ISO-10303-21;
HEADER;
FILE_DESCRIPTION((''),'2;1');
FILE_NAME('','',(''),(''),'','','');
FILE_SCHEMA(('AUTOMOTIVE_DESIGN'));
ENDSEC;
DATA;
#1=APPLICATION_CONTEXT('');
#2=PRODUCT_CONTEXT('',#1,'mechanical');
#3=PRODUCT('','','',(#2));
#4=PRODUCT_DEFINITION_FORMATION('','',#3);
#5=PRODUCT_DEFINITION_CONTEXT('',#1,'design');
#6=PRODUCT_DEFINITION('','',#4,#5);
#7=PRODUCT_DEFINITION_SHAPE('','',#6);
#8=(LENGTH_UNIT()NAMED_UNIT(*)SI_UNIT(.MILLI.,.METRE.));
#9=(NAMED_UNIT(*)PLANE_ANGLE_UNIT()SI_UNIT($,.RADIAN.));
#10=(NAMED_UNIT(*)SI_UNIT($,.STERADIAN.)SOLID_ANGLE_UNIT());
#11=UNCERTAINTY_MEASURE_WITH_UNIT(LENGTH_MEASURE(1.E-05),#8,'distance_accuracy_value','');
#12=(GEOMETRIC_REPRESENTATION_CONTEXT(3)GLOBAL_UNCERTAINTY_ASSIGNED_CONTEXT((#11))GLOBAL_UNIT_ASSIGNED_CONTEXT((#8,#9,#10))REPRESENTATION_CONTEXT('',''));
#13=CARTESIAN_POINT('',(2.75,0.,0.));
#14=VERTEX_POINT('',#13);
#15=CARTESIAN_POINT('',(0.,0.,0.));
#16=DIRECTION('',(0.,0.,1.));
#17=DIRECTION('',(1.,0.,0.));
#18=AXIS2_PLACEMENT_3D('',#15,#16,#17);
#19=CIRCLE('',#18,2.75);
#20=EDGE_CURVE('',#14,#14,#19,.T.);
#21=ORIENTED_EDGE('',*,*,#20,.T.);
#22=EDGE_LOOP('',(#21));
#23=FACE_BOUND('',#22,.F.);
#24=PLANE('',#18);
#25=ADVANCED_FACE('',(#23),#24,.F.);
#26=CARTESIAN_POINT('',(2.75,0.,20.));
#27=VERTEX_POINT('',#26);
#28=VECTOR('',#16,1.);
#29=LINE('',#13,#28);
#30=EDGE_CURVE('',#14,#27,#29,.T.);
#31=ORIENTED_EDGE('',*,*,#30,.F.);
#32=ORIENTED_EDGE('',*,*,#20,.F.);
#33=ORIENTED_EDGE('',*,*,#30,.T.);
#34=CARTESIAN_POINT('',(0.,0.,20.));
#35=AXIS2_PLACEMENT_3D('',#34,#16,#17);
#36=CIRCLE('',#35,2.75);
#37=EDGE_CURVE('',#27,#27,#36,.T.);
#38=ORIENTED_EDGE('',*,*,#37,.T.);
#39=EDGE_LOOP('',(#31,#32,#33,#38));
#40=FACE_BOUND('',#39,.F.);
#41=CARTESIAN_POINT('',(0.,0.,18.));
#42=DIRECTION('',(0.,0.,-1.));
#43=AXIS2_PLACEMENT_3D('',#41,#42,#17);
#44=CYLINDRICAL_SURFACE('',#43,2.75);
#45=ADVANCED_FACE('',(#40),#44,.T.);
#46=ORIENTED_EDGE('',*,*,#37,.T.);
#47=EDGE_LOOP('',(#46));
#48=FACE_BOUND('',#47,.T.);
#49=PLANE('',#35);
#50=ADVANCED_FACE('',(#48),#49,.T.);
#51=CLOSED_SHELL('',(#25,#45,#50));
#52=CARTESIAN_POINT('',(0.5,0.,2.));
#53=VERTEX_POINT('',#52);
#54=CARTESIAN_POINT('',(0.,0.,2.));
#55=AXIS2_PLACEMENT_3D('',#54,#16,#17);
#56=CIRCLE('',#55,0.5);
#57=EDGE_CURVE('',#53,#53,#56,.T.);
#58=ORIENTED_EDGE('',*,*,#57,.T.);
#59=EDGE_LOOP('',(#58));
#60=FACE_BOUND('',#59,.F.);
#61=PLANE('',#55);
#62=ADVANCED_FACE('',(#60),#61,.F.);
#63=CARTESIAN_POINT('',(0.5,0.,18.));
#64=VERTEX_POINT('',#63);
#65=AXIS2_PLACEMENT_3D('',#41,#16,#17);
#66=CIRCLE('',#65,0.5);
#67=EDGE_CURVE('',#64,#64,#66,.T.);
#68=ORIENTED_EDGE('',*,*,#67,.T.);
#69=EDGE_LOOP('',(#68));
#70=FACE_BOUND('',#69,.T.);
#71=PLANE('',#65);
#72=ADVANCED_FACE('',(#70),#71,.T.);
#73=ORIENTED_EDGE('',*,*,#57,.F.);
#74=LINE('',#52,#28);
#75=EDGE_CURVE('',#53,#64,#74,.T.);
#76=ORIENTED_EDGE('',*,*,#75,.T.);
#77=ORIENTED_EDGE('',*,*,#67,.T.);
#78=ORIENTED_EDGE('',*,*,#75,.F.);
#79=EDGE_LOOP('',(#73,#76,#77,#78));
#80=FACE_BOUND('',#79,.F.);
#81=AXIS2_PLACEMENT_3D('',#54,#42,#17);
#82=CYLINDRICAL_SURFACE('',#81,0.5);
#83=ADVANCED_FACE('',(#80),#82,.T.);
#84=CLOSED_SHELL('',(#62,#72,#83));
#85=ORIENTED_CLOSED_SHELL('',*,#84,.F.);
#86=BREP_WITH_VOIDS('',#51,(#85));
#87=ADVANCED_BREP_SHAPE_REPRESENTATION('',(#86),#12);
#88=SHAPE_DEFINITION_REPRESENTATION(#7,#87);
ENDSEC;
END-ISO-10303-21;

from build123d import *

# Parameters (mm, degrees)
F0_R     = 2.75
F1_DEPTH = 2
F2_R     = 2.75
F2_R_2   = 0.5
F3_DEPTH = 16
F4_R     = 2.75
F5_DEPTH = 2


with BuildPart() as f1:
    # F0 (on Top) → F1 (new body)
    with BuildSketch(Plane.XY):
        Circle(F0_R)
    extrude(amount=F1_DEPTH)

    # F2 (on face) → F3 (join)
    with BuildSketch(Plane.XY.offset(2)):
        Circle(F2_R)
        Circle(F2_R_2, mode=Mode.SUBTRACT)
    extrude(amount=F3_DEPTH)

    # F4 (on face) → F5 (join)
    with BuildSketch(Plane.XY.offset(18)):
        Circle(F4_R)
    extrude(amount=F5_DEPTH)


solid = f1.part
